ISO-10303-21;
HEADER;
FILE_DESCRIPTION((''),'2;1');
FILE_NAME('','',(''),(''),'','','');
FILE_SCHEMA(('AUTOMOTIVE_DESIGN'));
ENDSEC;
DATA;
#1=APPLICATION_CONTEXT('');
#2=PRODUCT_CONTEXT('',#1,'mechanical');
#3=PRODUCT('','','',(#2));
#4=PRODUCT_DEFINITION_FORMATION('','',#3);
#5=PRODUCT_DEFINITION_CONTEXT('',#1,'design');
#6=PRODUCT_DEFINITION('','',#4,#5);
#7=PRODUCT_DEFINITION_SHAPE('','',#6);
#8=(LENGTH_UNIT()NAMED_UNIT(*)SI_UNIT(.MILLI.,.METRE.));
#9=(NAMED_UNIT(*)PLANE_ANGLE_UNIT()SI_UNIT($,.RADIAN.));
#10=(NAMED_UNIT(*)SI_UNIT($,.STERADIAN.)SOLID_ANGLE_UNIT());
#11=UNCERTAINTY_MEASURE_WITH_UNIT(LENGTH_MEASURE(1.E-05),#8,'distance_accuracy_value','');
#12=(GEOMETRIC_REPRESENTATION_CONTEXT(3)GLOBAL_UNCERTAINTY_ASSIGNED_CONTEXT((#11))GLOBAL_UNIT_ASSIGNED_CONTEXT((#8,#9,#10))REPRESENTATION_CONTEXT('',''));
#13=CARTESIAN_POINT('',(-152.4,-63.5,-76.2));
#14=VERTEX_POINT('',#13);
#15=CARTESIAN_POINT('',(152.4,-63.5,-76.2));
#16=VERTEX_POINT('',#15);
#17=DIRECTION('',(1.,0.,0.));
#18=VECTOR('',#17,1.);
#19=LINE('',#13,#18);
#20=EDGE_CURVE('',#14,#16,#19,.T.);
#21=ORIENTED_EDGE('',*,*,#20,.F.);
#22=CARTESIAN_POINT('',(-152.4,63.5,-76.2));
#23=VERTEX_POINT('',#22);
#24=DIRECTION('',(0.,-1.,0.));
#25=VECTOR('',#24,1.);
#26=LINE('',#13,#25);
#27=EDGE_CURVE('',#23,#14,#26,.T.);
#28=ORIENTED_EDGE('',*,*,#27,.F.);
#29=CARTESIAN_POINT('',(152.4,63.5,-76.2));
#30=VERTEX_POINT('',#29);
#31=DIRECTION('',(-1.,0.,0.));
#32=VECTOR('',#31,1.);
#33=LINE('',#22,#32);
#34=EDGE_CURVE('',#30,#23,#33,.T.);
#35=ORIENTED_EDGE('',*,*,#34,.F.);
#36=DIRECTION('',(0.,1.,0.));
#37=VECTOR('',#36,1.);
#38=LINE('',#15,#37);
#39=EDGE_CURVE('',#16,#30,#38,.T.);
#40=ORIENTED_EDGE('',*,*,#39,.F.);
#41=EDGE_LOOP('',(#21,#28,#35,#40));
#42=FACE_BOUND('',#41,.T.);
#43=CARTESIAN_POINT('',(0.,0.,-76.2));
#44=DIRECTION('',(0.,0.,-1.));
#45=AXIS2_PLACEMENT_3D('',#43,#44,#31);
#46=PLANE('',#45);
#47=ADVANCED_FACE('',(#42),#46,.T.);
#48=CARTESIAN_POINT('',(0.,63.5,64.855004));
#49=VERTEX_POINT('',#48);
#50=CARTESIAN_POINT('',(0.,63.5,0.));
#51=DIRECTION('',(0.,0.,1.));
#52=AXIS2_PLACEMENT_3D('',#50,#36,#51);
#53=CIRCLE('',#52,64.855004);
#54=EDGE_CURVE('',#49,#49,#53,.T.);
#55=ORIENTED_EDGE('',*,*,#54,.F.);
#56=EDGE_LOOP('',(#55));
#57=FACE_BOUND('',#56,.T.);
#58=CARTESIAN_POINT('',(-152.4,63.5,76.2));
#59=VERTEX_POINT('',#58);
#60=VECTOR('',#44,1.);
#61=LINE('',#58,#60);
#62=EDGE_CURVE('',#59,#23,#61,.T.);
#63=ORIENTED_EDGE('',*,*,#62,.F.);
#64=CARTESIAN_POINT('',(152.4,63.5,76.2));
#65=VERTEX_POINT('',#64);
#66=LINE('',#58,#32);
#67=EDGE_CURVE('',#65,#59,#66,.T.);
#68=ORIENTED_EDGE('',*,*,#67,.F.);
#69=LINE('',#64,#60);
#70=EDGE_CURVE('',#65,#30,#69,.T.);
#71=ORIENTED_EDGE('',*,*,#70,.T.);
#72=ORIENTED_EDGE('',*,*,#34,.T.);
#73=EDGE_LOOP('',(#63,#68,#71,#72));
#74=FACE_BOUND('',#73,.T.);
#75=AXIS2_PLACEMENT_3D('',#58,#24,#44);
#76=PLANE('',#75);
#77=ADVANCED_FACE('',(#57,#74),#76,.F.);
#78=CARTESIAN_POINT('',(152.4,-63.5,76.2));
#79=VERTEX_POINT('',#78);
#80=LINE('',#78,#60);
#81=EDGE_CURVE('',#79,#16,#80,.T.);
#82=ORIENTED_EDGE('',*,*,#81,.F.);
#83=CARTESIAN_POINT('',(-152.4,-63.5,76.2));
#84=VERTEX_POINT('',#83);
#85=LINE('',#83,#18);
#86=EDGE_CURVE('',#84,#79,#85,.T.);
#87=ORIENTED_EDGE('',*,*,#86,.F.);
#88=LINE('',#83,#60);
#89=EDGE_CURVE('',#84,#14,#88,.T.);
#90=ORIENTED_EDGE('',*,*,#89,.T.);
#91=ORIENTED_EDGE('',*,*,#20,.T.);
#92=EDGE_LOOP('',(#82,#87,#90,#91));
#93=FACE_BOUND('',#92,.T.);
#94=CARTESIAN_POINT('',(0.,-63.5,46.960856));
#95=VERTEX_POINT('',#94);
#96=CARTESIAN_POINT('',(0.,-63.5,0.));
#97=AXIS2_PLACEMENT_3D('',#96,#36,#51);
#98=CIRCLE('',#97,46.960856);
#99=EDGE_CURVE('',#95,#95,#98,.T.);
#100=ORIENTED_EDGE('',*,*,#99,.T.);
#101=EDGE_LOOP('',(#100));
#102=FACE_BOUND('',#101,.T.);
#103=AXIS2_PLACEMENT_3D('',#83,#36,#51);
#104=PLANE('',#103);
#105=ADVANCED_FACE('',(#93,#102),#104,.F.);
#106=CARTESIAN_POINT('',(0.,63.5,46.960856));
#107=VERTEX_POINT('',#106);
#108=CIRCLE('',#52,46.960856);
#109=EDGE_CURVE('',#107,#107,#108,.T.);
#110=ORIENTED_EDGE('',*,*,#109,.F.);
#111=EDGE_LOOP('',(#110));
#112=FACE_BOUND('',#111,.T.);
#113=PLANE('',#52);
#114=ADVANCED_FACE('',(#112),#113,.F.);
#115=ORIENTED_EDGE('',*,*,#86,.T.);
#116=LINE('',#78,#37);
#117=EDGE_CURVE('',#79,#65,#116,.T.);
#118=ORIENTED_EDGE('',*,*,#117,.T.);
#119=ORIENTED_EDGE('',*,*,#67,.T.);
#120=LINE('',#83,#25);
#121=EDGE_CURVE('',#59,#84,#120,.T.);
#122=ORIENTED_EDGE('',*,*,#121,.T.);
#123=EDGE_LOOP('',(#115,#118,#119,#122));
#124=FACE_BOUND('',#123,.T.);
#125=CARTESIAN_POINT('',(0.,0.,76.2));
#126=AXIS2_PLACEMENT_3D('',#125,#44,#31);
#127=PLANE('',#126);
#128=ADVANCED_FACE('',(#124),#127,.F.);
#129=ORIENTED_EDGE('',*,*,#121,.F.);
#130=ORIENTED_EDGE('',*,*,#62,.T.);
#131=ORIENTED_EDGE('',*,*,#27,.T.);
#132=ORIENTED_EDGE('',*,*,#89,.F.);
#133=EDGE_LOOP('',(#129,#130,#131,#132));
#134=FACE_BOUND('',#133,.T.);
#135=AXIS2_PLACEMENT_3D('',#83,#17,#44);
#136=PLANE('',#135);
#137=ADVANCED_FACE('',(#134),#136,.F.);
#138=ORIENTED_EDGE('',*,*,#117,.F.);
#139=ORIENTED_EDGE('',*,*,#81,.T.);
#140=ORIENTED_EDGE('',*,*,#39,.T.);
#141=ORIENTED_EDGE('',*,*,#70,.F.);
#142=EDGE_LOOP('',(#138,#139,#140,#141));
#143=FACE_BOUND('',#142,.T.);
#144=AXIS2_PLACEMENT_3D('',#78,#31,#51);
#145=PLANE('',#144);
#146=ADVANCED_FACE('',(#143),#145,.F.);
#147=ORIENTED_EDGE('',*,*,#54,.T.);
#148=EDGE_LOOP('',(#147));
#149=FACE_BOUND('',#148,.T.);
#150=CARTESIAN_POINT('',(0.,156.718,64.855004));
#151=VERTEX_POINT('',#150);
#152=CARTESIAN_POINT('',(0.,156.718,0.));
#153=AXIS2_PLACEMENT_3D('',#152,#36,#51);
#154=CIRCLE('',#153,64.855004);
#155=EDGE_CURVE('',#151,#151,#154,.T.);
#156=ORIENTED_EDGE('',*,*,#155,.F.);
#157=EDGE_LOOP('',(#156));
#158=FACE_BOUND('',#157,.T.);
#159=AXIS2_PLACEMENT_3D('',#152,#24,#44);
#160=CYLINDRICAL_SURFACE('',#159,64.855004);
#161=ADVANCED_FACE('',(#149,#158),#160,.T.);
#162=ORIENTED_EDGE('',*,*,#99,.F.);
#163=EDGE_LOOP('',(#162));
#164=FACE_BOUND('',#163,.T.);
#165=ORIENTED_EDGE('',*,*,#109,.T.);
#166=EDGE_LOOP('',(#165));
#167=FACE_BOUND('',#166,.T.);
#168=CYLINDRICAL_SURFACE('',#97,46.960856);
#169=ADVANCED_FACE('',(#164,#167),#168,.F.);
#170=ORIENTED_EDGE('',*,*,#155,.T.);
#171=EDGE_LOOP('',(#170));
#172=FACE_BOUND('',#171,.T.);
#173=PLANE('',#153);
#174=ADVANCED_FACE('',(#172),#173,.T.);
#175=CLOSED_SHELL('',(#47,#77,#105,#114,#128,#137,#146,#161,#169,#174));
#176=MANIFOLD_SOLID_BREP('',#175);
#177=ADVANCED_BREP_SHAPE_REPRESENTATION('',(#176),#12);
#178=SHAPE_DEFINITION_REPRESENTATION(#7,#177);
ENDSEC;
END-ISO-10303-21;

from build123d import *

# Parameters (mm, degrees)
SKETCH1_W           = 304.8
SKETCH1_H           = 127
BOSS_EXTRUDE1_DEPTH = 76.2
SKETCH4_R           = 46.960856135
CUT_EXTRUDE3_DEPTH  = 213.51164674
SKETCH5_R           = 64.855004159
BOSS_EXTRUDE2_DEPTH = 93.218


with BuildPart() as part:
    # Sketch1 → Boss-Extrude1 (new, symmetric)
    with BuildSketch(Plane.XY):
        Rectangle(SKETCH1_W, SKETCH1_H)
    extrude(amount=BOSS_EXTRUDE1_DEPTH, both=True)

    # Sketch4 → Cut-Extrude3 (cut, through all)
    with BuildSketch(Plane(origin=(0, 63.5, 0), x_dir=(1, 0, 0), z_dir=(0, 1, 0))):
        with Locations(Location((0, 0, 0), (0, 0, 270))):
            Circle(SKETCH4_R)
    extrude(amount=-CUT_EXTRUDE3_DEPTH, mode=Mode.SUBTRACT)

    # Sketch5 → Boss-Extrude2 (add)
    with BuildSketch(Plane(origin=(0, 63.5, 0), x_dir=(1, 0, 0), z_dir=(0, 1, 0))):
        with Locations(Location((0, 0, 0), (0, 0, 270))):
            Circle(SKETCH5_R)
    extrude(amount=BOSS_EXTRUDE2_DEPTH)


solid = part.part
